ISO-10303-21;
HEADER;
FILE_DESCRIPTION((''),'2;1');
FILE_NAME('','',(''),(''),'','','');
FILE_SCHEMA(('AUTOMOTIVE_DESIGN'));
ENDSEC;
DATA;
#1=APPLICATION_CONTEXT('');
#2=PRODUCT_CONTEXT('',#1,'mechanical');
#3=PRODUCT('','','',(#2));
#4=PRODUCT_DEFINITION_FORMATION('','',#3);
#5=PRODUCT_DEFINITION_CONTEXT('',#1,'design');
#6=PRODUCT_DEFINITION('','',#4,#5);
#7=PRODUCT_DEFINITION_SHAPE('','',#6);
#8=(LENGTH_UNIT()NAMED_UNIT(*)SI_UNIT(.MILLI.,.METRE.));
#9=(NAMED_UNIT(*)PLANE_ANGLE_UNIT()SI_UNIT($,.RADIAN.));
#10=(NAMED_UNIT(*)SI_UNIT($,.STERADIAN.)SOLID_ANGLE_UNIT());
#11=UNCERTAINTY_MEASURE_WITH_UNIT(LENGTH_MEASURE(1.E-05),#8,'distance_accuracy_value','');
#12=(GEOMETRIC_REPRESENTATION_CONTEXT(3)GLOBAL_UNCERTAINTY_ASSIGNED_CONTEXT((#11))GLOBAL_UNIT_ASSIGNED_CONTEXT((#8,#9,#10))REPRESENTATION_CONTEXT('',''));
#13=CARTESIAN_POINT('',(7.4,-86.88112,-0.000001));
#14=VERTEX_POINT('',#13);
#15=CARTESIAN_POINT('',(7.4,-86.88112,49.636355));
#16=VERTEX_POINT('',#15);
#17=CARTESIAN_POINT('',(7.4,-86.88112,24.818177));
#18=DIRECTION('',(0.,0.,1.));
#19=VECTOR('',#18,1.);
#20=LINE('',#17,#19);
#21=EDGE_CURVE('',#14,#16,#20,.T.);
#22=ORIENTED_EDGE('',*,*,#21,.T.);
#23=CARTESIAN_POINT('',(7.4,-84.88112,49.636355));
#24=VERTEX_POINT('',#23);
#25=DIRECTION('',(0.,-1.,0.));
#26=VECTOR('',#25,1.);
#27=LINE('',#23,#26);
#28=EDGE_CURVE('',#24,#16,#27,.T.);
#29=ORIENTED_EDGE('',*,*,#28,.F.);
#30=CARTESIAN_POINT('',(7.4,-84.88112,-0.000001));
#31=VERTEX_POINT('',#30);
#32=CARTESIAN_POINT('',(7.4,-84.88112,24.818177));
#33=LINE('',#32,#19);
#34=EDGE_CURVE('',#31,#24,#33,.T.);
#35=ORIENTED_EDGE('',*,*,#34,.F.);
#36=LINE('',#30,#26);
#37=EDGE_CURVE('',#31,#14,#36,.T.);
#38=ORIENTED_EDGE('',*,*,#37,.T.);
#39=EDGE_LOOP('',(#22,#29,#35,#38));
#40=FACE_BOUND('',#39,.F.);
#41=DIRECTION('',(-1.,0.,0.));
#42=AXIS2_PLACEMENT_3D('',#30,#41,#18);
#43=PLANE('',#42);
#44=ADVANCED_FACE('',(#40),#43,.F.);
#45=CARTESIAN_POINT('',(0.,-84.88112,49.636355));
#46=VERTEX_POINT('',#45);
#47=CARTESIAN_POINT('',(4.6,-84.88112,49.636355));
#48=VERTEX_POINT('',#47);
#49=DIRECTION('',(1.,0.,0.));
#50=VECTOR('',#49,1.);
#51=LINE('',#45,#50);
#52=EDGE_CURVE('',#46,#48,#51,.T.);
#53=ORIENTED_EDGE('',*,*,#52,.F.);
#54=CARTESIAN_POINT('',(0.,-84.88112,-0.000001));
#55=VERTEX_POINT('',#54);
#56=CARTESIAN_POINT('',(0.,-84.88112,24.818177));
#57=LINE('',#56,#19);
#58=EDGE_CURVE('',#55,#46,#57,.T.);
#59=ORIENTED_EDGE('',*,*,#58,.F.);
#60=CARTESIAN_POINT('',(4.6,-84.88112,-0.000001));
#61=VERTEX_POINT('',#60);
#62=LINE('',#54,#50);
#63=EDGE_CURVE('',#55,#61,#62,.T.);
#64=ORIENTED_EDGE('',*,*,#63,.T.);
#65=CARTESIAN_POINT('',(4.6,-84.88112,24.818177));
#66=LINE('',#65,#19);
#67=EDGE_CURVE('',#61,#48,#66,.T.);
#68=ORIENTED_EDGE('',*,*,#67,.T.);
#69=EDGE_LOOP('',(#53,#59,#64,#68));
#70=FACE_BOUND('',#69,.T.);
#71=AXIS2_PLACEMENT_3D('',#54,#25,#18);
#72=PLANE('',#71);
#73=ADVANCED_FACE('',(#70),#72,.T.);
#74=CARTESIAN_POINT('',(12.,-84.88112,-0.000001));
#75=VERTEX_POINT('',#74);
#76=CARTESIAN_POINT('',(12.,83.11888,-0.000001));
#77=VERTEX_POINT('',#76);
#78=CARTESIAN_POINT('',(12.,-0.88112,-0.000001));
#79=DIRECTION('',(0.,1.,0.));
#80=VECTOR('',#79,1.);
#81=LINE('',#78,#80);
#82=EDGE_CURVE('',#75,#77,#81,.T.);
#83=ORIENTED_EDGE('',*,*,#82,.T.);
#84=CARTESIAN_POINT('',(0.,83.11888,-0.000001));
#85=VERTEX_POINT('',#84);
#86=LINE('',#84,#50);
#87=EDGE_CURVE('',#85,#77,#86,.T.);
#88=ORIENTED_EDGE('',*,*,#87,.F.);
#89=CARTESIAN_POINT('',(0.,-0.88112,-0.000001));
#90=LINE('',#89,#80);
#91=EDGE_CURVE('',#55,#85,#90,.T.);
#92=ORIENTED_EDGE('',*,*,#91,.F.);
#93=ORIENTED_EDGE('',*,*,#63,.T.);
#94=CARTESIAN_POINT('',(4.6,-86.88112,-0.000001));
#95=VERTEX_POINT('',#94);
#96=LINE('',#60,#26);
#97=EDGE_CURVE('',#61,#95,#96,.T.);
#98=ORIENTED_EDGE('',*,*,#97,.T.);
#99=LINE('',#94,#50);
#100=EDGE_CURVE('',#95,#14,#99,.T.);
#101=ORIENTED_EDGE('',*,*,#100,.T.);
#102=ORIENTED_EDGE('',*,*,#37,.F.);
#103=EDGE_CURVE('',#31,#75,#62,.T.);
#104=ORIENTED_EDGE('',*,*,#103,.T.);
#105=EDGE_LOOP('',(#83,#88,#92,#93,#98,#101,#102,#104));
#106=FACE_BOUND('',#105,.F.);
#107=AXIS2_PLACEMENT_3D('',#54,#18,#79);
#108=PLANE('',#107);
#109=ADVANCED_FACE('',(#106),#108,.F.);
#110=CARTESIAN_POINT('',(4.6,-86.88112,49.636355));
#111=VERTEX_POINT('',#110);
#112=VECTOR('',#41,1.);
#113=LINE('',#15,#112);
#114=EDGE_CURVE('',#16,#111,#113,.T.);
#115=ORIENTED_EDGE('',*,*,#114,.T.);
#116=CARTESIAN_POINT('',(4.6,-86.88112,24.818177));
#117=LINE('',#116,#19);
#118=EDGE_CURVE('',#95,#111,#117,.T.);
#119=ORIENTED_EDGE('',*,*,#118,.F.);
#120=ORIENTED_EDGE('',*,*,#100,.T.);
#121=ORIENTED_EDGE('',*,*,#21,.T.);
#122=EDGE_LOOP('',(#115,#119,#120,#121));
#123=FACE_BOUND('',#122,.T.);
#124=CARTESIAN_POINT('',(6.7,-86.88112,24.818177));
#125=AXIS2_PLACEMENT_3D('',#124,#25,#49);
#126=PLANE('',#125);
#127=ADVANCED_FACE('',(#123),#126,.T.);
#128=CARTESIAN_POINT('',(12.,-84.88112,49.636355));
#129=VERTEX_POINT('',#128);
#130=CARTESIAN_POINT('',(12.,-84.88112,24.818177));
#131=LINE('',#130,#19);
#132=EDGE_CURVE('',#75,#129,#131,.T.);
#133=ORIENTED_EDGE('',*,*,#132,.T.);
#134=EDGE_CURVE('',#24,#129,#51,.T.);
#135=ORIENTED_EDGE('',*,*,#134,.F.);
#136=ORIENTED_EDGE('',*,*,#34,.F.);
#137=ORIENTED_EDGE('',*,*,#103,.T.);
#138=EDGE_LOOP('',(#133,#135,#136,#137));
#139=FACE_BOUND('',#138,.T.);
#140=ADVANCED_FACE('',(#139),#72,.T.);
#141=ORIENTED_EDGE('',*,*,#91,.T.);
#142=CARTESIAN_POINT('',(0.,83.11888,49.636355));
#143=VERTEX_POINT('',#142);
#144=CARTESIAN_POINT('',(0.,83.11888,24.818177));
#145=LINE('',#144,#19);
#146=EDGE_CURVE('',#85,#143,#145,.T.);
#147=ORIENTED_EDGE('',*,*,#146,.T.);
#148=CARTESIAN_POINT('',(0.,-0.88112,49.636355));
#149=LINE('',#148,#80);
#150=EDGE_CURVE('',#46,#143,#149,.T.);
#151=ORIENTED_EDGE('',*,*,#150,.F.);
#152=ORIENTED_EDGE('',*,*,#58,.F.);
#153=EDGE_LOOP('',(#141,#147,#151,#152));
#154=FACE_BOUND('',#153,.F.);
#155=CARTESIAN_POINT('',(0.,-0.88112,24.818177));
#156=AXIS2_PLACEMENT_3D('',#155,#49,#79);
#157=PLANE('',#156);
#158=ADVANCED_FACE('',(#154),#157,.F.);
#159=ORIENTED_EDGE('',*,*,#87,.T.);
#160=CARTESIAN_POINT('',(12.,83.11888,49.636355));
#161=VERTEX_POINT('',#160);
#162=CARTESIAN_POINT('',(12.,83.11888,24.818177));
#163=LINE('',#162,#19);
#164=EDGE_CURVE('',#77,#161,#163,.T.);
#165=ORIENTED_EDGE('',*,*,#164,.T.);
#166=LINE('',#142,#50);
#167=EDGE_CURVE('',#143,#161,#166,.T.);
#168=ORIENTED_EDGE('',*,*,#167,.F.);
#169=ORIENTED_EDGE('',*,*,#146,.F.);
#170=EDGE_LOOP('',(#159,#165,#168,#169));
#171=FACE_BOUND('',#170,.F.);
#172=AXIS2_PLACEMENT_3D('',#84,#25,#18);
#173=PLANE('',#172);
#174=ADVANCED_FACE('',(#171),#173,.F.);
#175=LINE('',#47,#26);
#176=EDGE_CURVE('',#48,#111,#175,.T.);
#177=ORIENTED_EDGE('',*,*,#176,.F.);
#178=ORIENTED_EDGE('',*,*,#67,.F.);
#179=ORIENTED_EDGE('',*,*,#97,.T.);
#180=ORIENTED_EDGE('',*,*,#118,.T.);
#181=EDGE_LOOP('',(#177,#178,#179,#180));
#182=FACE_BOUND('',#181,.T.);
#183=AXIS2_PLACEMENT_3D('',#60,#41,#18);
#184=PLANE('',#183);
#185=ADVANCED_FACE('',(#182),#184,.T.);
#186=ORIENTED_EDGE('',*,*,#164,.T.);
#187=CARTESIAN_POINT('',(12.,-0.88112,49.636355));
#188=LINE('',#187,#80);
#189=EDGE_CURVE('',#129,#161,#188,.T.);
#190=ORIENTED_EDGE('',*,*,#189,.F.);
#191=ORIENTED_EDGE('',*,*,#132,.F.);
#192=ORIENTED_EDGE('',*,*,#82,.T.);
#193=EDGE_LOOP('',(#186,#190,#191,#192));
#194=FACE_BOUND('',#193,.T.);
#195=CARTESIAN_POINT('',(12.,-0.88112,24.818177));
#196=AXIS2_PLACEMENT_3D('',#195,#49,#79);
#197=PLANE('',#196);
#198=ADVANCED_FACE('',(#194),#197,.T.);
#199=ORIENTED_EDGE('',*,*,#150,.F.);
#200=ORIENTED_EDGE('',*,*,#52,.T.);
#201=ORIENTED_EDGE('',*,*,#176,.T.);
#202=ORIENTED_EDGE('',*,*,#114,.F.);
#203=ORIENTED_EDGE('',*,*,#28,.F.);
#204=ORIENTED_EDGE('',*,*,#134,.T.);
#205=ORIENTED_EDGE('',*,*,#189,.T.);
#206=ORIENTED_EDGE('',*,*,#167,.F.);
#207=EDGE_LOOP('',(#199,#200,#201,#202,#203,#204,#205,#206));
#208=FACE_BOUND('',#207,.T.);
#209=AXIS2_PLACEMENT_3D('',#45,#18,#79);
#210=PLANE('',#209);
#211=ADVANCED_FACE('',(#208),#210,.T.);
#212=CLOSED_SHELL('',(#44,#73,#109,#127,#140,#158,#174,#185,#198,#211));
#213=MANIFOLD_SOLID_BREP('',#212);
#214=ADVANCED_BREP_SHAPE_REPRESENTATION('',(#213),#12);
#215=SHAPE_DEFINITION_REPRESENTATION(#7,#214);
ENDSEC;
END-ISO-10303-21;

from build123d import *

# Parameters (mm, degrees)
F0_W     = 168
F0_H     = 49.636355
F1_DEPTH = 12
F2_W     = 1.4
F2_H     = 49.636355
F3_DEPTH = 2


with BuildPart() as f1:
    # F0 (on Right) → F1 (new body)
    with BuildSketch(Plane.YZ):
        with Locations((-0.88112, 24.818177)):
            Rectangle(F0_W, F0_H)
    extrude(amount=F1_DEPTH)

    # F2 (on face) → F3 (join)
    with BuildSketch(Plane.XZ.offset(84.88112)):
        with Locations((6.7, 24.818177)):
            Rectangle(F2_W, F2_H)
        with Locations((5.3, 24.818177)):
            Rectangle(F2_W, F2_H)
    extrude(amount=F3_DEPTH)


solid = f1.part
